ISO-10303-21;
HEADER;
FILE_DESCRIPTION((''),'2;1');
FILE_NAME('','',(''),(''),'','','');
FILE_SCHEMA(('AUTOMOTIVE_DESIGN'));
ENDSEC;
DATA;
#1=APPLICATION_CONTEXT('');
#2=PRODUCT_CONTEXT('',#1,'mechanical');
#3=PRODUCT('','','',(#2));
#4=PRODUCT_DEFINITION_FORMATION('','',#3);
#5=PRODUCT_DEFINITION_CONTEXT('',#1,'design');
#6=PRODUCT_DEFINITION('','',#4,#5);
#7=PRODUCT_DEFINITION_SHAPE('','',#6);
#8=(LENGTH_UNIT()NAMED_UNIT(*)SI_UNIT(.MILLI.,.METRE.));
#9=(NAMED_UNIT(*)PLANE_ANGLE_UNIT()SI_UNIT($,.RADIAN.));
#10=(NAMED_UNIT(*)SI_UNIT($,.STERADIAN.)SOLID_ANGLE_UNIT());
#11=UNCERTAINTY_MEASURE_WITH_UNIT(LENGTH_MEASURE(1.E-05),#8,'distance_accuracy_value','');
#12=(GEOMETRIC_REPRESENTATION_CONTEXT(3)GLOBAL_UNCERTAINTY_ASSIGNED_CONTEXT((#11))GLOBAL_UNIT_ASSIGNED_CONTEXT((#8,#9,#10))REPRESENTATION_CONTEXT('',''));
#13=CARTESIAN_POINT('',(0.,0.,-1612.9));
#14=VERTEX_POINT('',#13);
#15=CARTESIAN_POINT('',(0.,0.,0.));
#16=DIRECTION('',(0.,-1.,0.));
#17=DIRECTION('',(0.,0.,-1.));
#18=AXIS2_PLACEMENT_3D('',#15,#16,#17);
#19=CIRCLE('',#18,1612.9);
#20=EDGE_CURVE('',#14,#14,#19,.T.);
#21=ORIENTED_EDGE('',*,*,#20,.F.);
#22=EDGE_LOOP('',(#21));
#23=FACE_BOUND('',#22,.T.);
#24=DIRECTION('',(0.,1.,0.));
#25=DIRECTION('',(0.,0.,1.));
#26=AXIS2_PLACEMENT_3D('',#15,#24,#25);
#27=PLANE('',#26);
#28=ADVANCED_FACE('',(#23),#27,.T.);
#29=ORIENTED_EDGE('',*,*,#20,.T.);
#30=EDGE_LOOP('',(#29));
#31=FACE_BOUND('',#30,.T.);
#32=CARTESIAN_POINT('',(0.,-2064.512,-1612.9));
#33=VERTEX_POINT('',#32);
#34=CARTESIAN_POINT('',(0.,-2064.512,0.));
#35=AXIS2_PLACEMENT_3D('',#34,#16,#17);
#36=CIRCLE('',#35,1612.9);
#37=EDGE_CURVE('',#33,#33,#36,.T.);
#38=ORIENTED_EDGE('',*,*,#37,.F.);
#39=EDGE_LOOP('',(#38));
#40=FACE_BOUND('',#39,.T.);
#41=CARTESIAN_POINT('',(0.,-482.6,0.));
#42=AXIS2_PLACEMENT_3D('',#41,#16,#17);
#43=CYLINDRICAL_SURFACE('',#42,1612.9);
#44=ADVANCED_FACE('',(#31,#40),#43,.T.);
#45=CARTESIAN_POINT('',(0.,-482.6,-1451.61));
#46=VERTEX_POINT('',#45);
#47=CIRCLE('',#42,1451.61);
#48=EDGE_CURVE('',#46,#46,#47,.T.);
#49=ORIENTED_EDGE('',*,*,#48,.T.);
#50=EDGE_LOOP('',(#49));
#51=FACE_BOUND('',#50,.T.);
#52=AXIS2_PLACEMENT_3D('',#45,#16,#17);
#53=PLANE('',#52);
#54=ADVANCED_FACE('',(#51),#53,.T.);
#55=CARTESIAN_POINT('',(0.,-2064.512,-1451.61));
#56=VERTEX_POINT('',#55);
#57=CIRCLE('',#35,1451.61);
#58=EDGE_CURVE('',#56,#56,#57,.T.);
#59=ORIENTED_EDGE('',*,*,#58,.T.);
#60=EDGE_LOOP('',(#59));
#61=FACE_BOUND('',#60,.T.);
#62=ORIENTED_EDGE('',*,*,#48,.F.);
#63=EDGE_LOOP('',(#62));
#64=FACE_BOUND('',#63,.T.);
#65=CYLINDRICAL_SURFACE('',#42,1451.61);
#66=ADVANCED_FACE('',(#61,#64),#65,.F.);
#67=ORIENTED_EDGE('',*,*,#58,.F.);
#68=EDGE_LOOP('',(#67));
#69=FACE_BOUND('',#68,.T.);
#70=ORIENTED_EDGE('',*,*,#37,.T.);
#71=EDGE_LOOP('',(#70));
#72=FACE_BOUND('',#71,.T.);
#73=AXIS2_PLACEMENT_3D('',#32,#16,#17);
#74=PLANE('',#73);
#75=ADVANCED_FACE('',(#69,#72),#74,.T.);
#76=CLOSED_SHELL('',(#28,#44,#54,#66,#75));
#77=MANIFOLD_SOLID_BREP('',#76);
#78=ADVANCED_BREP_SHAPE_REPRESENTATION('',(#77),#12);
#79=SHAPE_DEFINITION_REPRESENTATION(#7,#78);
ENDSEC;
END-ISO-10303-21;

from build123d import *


with BuildPart() as part:
    # Sketch1 → Revolve1 (revolve)
    with BuildSketch(Plane(origin=(0, 0, 0), x_dir=(0, 0, -1), z_dir=(1, 0, 0))):
        Polygon((0, 0), (1612.9, 0), (1612.9, -2064.512), (1451.61, -2064.512), (1451.61, -482.6), (0, -482.6), align=None)
    revolve(axis=Axis((0, -482.6, 0), (0, 1, 0)))


solid = part.part
